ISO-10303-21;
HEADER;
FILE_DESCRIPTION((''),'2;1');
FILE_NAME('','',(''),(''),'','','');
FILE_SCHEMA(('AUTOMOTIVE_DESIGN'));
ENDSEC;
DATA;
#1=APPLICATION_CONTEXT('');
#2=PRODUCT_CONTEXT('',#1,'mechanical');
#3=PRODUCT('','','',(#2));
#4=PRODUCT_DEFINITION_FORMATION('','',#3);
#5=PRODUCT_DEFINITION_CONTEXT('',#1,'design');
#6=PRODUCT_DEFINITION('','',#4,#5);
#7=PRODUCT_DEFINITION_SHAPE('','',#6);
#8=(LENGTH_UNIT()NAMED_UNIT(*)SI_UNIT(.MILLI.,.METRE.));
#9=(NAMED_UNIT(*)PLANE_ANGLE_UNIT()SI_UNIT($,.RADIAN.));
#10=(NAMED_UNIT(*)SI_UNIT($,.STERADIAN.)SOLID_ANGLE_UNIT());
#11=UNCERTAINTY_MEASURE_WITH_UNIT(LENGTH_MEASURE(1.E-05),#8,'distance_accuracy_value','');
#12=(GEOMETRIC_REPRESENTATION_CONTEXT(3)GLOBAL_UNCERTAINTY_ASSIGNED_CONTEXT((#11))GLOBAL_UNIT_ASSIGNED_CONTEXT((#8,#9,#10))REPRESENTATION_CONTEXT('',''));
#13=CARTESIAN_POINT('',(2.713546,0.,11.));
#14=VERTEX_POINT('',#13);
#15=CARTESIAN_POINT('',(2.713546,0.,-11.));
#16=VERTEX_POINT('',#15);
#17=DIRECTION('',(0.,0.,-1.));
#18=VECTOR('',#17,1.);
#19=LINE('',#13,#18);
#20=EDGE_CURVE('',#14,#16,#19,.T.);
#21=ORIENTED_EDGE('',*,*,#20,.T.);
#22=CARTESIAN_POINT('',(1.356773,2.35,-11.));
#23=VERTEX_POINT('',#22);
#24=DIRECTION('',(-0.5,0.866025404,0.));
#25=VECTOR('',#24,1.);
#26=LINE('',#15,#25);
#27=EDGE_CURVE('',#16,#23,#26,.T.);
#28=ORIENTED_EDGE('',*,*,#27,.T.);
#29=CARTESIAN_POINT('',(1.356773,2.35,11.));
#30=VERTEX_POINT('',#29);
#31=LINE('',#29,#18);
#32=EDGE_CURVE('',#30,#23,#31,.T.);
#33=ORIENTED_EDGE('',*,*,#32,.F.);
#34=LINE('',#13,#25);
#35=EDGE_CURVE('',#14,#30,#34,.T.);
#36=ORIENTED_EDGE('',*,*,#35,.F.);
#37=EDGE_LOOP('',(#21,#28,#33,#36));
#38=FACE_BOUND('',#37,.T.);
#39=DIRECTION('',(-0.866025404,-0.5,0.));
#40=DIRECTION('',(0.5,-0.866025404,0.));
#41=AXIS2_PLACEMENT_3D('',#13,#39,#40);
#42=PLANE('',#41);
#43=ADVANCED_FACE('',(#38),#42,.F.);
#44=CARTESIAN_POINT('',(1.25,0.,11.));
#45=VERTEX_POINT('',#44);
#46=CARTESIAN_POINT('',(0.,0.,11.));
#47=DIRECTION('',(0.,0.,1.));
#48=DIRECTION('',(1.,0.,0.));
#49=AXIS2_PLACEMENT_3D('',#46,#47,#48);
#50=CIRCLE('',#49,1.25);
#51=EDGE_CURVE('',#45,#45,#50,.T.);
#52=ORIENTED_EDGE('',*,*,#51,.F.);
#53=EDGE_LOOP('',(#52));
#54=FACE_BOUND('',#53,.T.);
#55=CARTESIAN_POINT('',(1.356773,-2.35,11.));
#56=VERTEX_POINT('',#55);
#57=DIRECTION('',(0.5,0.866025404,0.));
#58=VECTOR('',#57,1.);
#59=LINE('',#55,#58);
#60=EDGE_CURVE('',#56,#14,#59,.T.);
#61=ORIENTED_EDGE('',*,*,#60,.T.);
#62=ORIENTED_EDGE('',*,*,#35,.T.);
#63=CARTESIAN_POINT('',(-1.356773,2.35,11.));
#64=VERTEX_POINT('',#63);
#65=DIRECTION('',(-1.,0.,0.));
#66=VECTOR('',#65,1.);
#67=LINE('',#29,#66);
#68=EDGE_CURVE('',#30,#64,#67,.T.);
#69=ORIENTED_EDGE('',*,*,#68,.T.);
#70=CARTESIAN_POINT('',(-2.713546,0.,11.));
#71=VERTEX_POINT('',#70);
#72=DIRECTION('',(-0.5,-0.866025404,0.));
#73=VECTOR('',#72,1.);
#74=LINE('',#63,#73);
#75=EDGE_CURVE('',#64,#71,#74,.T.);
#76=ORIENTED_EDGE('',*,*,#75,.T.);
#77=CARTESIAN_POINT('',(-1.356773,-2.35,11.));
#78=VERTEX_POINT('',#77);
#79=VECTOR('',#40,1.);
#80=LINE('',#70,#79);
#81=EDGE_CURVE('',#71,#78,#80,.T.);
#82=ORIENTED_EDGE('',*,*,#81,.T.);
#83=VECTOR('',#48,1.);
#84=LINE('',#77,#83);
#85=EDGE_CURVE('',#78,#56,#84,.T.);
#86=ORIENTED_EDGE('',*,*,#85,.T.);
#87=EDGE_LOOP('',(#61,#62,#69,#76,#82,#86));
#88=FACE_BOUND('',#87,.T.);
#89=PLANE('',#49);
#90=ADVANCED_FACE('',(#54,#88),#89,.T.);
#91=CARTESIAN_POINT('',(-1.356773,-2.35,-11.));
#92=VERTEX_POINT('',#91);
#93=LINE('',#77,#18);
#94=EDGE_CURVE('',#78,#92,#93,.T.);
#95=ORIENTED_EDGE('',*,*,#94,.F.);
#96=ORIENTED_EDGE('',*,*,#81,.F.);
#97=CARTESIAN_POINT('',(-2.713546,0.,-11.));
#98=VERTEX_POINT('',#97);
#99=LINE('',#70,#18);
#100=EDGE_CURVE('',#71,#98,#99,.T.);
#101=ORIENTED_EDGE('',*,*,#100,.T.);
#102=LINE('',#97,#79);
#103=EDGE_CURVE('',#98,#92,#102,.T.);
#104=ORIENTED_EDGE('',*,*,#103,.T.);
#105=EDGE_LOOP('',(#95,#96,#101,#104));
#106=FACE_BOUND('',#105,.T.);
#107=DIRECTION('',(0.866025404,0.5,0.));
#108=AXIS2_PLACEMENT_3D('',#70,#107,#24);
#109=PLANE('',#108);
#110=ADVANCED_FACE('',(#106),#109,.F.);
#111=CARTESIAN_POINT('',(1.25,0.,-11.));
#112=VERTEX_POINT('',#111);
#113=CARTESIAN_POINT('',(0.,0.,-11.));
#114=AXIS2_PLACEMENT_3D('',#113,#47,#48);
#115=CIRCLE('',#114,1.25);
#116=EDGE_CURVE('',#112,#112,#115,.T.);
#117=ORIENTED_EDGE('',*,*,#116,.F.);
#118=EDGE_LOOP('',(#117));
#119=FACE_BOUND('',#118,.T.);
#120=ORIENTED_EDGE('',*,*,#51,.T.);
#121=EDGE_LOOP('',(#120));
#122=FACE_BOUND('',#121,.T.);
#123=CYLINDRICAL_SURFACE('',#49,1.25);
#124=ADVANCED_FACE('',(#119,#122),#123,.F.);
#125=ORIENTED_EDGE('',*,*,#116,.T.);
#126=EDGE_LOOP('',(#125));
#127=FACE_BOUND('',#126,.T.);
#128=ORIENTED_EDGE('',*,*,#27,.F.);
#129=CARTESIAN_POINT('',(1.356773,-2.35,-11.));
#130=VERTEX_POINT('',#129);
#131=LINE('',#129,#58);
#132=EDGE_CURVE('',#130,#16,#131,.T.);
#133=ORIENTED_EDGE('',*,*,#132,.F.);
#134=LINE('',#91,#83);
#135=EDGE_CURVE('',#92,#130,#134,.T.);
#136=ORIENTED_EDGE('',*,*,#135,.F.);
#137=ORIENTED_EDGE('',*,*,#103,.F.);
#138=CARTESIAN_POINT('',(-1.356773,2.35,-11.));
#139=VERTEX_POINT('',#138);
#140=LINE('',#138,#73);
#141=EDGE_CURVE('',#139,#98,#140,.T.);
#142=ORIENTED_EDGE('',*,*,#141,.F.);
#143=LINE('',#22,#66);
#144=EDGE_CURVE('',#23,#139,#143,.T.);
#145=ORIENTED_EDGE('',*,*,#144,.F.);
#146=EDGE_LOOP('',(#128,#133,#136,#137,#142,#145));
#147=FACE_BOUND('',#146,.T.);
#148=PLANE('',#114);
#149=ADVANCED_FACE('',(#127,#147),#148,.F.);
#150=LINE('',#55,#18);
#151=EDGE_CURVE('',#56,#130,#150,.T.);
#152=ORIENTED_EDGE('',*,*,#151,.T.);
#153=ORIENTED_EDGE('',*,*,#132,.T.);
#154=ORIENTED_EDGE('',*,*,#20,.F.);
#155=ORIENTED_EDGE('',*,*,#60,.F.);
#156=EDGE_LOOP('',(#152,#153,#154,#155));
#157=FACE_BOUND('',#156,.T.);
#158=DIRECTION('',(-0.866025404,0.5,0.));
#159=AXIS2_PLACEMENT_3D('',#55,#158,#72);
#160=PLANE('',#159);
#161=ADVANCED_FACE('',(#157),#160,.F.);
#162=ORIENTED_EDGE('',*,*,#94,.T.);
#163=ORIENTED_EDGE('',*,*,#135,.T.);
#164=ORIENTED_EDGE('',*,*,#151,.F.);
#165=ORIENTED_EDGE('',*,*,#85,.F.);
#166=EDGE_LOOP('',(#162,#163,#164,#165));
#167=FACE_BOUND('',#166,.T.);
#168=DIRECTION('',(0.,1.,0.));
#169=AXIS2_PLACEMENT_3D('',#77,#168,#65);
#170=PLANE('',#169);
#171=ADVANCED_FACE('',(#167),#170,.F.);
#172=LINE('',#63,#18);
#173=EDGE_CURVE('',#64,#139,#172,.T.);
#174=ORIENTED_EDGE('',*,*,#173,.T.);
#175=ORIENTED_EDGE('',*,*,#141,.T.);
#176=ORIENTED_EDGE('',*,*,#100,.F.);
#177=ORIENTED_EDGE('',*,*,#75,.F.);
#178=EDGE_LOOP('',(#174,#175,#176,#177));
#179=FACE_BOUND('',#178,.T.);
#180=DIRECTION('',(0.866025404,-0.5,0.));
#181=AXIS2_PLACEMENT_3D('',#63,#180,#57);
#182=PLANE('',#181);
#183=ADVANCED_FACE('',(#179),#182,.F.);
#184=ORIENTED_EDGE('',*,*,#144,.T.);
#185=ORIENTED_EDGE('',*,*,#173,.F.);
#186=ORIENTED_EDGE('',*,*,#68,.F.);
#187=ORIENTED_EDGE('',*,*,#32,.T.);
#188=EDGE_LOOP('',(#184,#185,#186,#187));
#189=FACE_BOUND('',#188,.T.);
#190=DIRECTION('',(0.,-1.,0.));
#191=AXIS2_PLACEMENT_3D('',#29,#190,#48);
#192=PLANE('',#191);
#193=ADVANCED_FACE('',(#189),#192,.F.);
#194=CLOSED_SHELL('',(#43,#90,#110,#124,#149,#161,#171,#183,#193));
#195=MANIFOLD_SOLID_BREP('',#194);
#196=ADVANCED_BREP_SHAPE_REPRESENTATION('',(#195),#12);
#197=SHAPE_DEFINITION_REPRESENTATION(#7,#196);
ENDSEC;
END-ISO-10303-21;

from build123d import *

# Parameters (mm, degrees)
EXTRUDE_1_DEPTH    = 11
HOLE_WIZARD_M3_1_D = 2.5


with BuildPart() as part:
    # 草图1 → 凸台-拉伸1 (new body, symmetric)
    with BuildSketch(Plane.XY):
        Polygon((1.356773133, 2.35), (-1.356773133, 2.35), (-2.713546265, 0), (-1.356773133, -2.35), (1.356773133, -2.35), (2.713546265, 0), align=None)
    extrude(amount=EXTRUDE_1_DEPTH, both=True)

    # M3 螺纹孔1 (through all)
    with Locations(Plane.XY.offset(11)):
        with Locations((0, 0)):
            Hole(HOLE_WIZARD_M3_1_D / 2)


solid = part.part
